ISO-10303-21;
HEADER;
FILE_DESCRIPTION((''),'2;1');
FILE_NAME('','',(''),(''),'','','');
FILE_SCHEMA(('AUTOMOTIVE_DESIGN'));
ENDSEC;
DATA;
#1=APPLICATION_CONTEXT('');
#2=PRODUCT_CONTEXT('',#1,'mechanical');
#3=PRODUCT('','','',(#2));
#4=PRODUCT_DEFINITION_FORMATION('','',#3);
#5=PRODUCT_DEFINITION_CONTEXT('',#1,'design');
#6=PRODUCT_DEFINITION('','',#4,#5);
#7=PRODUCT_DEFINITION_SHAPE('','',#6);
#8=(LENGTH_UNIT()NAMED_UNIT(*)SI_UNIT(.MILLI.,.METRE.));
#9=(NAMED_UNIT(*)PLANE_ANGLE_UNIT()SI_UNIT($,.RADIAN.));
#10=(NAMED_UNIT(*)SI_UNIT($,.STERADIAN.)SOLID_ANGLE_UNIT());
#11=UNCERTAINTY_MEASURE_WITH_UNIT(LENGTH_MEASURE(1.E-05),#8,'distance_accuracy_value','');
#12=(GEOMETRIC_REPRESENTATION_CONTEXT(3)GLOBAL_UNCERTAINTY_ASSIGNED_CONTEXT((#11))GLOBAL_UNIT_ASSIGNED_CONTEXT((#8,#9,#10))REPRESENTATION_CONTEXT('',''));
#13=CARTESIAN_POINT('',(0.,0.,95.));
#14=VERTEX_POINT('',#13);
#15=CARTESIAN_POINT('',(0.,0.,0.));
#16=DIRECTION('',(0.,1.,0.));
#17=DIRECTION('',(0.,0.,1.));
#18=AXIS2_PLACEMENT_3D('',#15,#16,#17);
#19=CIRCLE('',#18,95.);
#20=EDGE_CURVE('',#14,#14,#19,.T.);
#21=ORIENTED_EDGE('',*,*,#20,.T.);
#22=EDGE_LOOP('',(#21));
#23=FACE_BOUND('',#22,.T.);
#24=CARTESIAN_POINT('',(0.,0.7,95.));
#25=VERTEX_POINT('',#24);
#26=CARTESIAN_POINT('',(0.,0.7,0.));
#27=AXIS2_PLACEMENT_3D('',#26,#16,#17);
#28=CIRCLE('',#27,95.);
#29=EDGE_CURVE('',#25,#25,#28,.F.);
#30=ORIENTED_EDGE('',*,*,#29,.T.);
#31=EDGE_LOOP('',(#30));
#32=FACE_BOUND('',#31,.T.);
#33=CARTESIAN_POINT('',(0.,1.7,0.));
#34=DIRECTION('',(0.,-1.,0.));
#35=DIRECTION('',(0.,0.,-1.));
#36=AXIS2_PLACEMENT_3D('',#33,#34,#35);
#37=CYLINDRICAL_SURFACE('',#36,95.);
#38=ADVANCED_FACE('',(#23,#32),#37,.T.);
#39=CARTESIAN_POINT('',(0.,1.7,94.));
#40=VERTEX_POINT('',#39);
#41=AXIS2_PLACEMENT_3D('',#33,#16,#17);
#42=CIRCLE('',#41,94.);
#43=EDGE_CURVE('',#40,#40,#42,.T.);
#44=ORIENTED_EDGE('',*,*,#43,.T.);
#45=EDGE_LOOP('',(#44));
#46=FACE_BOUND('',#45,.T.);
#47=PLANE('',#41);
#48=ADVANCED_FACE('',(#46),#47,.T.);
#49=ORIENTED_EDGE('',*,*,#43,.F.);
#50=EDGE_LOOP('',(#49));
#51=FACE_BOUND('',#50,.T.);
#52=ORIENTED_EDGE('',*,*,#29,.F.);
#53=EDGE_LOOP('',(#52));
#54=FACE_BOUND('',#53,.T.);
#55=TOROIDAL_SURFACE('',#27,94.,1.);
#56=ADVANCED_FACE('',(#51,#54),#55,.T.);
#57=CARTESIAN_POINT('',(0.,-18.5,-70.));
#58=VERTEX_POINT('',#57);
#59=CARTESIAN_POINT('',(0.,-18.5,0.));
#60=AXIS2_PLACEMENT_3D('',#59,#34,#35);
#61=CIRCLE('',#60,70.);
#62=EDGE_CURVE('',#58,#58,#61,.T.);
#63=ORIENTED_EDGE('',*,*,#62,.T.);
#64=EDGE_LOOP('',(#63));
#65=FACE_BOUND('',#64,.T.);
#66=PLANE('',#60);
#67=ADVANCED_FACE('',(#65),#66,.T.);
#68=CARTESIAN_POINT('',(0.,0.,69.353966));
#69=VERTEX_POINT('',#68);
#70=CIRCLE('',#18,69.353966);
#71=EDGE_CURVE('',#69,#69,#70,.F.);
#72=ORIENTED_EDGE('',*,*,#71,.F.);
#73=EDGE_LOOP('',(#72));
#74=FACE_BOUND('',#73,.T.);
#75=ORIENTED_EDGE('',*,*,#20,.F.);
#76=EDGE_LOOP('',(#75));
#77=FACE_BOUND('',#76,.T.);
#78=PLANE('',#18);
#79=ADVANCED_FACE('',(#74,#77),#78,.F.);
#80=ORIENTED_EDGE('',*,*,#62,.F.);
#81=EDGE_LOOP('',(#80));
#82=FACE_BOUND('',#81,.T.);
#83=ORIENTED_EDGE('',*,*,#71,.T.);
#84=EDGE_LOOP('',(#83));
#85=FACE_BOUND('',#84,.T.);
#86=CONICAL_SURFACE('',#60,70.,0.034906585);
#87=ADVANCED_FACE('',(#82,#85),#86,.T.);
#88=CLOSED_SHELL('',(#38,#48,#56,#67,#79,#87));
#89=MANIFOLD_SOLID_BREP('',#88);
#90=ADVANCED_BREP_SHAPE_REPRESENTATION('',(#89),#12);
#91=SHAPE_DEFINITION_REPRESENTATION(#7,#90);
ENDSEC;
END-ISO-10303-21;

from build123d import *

# Parameters (mm, degrees)
SKETCH1_R           = 95
BOSS_EXTRUDE1_DEPTH = 1.7
FILLET1_R           = 1
SKETCH2_R           = 70
BOSS_EXTRUDE2_DEPTH = 18.5
DRAFT3_ANGLE        = -2


with BuildPart() as part:
    # Sketch1 → Boss-Extrude1 (new body)
    with BuildSketch(Plane(origin=(0, 0, 0), x_dir=(1, 0, 0), z_dir=(0, 1, 0))):
        with Locations(Location((0, 0, 0), (0, 0, 270))):
            Circle(SKETCH1_R)
    extrude(amount=BOSS_EXTRUDE1_DEPTH)

    # Fillet1
    fillet1_edges = [part.edges().sort_by_distance(p)[0] for p in [
        (0, 1.7, -95),
    ]]
    fillet(fillet1_edges, radius=FILLET1_R)

    # Sketch2 → Boss-Extrude2 (add)
    with BuildSketch(Plane.XZ):
        with Locations(Location((0, 0, 0), (0, 0, 270))):
            Circle(SKETCH2_R)
    extrude(amount=BOSS_EXTRUDE2_DEPTH)

    # Draft3
    draft3_faces = [part.faces().sort_by_distance(p)[0] for p in [
        (0, -9.25, 70),
    ]]
    draft(draft3_faces, Plane(origin=(0, -18.5, 0), x_dir=(0, 0, -1), z_dir=(0, -1, 0)), DRAFT3_ANGLE)


solid = part.part
